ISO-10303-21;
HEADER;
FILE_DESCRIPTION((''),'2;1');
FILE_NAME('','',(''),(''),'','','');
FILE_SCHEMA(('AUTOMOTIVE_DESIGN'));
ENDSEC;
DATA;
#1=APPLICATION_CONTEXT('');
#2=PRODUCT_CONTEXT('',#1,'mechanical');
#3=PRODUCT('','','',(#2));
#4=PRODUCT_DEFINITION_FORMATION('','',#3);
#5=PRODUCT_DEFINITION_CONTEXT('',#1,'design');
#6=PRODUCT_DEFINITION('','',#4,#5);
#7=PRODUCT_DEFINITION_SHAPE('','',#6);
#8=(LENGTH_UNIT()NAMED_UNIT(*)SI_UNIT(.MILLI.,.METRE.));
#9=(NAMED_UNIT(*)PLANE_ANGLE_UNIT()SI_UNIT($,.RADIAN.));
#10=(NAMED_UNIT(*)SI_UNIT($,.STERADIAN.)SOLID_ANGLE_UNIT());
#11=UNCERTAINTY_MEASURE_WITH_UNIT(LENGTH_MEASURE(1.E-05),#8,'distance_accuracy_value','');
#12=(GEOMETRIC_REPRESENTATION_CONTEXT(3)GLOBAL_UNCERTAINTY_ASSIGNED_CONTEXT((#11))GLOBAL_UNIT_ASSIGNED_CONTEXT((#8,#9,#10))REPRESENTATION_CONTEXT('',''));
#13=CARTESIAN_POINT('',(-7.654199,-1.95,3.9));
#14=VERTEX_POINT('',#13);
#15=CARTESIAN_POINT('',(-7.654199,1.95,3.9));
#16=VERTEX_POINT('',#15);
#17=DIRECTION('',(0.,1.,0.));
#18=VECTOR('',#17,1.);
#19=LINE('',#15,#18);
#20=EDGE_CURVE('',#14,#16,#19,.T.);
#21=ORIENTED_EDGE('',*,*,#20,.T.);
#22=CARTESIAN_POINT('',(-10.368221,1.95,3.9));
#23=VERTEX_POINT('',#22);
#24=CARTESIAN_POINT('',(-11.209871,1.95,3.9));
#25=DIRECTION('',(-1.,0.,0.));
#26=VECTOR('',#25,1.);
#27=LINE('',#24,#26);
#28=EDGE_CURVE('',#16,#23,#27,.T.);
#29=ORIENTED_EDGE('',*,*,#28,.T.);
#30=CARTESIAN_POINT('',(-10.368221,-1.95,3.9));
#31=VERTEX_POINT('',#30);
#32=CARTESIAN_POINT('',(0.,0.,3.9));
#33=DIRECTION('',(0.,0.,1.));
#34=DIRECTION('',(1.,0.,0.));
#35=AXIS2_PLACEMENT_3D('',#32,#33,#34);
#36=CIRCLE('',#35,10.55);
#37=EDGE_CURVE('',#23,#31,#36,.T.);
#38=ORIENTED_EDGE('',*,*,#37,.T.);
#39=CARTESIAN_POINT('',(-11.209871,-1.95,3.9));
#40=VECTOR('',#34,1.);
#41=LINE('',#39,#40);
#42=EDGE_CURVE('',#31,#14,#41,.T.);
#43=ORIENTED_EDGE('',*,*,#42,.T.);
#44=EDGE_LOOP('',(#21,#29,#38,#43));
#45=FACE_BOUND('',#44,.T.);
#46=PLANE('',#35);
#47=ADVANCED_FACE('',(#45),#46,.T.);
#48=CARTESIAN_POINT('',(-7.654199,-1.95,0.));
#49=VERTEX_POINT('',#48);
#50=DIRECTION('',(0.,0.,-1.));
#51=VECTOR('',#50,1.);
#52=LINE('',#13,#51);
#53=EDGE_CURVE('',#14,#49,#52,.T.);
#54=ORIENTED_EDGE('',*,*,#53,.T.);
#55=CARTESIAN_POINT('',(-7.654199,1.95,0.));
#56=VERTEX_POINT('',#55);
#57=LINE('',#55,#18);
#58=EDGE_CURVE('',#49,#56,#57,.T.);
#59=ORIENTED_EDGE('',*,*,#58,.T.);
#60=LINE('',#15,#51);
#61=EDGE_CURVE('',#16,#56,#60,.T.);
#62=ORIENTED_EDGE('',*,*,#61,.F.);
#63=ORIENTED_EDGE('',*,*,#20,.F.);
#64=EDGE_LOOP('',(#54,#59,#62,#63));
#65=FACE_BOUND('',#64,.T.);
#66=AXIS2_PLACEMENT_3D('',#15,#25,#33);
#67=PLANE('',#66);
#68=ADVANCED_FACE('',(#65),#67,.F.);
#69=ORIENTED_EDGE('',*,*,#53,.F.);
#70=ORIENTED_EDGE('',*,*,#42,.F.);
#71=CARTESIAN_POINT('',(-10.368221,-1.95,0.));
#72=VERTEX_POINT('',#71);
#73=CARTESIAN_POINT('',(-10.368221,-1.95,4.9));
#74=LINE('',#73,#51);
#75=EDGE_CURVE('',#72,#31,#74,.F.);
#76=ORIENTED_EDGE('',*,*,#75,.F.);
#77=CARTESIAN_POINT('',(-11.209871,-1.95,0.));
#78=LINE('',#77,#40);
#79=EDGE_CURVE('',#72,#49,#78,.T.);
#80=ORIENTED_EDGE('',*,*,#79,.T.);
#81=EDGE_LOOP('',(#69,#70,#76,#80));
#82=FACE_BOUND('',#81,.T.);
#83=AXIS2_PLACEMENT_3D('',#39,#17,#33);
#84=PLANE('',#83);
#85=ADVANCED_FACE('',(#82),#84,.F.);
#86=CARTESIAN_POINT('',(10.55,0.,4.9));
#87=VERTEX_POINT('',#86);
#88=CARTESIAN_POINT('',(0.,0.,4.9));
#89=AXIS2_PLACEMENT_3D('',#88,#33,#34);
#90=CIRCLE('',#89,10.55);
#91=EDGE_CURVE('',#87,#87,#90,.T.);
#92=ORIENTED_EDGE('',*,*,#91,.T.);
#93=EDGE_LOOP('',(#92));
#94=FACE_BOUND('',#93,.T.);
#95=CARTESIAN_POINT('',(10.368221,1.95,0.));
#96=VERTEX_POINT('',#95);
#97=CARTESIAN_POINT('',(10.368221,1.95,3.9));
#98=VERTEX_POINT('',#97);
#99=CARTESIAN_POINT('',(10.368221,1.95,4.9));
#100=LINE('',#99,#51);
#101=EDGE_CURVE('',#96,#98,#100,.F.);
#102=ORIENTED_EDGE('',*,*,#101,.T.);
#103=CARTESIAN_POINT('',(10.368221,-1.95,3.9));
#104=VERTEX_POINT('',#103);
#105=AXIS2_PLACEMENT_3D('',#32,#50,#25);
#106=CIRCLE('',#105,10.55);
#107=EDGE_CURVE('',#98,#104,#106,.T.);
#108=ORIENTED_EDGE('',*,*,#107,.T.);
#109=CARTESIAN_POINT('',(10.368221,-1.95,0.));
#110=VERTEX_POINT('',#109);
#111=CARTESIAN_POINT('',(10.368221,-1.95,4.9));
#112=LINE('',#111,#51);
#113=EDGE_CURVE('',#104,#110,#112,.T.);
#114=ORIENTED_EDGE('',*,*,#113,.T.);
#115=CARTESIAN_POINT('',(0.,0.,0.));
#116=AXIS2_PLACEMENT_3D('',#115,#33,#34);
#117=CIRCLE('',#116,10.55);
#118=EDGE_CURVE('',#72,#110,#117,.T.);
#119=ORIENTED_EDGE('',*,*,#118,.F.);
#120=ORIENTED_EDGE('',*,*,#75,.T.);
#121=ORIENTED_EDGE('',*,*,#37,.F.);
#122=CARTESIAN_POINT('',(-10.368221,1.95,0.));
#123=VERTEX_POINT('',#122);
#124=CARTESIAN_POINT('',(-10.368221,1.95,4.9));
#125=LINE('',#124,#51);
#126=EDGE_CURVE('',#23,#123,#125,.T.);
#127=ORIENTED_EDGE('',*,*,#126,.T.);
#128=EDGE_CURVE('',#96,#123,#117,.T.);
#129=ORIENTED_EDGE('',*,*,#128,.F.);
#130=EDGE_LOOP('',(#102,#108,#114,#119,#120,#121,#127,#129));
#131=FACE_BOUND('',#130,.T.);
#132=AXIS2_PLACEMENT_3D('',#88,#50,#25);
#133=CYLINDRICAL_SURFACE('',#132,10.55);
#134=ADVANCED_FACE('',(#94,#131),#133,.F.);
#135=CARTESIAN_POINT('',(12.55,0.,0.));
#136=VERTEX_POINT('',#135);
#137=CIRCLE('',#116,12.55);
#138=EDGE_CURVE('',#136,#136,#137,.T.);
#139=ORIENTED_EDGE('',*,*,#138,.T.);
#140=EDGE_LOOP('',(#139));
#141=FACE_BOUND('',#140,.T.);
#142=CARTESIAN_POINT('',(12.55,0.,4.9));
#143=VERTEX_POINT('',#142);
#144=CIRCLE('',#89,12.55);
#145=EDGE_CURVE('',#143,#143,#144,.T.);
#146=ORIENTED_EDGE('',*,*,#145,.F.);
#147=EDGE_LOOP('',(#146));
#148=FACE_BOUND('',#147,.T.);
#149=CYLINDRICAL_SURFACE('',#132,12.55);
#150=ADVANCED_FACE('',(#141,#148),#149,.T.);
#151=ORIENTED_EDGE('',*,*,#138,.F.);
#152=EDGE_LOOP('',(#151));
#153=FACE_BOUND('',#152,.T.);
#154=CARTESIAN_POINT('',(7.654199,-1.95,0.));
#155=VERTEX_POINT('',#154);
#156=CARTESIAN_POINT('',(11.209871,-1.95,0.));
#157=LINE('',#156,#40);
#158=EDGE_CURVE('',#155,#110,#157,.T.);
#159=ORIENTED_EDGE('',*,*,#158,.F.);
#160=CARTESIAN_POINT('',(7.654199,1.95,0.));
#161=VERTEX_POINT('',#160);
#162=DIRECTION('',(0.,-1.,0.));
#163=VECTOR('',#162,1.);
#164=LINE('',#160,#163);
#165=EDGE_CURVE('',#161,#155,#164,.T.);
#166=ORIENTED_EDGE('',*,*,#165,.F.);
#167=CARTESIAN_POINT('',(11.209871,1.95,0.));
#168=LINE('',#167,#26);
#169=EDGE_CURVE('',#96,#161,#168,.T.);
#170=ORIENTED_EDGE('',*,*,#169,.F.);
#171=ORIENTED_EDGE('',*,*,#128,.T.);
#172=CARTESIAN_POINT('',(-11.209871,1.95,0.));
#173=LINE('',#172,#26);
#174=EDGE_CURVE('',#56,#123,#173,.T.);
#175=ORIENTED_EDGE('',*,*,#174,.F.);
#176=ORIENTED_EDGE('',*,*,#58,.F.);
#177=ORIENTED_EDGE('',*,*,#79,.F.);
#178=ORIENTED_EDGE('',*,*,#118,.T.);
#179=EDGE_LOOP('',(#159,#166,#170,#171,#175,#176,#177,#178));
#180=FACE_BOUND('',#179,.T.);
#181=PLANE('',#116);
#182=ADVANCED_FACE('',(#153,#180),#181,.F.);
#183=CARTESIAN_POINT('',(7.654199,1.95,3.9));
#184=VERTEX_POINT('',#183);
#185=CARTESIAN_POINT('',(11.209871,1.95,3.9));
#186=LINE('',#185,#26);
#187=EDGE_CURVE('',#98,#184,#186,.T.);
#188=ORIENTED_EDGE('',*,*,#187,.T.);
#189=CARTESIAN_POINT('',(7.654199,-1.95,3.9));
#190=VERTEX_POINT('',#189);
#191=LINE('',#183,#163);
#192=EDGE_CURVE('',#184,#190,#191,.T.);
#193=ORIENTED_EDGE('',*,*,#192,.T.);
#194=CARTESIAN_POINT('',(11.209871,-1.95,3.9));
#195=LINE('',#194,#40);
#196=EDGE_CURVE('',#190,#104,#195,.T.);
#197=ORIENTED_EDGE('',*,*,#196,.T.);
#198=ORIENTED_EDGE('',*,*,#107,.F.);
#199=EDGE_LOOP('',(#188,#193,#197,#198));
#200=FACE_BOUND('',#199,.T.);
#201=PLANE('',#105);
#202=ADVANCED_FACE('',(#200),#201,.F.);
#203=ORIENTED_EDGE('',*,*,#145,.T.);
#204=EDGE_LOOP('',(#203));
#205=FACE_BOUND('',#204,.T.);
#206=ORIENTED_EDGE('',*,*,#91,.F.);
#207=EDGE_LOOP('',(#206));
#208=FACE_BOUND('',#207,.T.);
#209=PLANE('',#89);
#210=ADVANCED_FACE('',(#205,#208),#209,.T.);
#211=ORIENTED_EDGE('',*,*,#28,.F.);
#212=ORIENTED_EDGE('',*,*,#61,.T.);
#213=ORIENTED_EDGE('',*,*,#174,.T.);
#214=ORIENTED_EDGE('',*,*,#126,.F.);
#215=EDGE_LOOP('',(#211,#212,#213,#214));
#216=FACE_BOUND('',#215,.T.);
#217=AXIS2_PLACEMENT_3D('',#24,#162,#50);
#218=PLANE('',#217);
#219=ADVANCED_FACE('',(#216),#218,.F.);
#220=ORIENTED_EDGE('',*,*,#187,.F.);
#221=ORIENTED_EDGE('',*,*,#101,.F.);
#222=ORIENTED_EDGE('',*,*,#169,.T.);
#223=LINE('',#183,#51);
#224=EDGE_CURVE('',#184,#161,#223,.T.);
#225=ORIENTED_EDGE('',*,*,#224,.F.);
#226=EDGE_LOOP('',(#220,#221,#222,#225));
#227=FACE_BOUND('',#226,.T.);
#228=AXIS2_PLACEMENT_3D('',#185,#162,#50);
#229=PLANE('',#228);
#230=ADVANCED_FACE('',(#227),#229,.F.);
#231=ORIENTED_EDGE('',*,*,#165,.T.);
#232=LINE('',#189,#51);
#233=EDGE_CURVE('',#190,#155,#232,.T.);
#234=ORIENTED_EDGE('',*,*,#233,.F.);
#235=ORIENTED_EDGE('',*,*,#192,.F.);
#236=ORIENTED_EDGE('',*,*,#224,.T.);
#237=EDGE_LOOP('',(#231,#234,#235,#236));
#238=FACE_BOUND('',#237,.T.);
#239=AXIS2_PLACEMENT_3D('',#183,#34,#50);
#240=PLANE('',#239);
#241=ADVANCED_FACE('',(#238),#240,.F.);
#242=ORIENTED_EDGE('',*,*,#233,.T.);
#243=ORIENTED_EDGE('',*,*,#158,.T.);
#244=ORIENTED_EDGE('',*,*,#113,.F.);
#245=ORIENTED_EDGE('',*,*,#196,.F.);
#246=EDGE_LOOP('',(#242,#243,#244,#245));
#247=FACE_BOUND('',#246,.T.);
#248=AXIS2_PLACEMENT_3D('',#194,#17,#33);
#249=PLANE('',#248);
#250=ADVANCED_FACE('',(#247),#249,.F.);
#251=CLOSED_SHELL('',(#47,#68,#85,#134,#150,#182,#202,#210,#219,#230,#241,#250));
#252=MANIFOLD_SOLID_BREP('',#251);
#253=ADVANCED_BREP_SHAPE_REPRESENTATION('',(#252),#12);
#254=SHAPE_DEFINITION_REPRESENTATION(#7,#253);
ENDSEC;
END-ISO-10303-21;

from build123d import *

# Parameters (mm, degrees)
SKETCH_1_R      = 12.55
SKETCH_1_R_2    = 10.55
EXTRUDE_1_DEPTH = 4.9
SKETCH_2_W      = 3.555672838
SKETCH_2_H      = 3.9
EXTRUDE_2_DEPTH = 3.9


with BuildPart() as part:
    # 草图1 → 拉伸-薄壁1 (new body)
    with BuildSketch(Plane.XY):
        Circle(SKETCH_1_R)
        Circle(SKETCH_1_R_2, mode=Mode.SUBTRACT)
    extrude(amount=EXTRUDE_1_DEPTH)

    # 草图2 → 凸台-拉伸2 (add)
    with BuildSketch(Plane.XY):
        with Locations((-9.432034927, 0)):
            Rectangle(SKETCH_2_W, SKETCH_2_H)
        with Locations((9.432034927, 0)):
            Rectangle(SKETCH_2_W, SKETCH_2_H)
    extrude(amount=EXTRUDE_2_DEPTH)


solid = part.part
